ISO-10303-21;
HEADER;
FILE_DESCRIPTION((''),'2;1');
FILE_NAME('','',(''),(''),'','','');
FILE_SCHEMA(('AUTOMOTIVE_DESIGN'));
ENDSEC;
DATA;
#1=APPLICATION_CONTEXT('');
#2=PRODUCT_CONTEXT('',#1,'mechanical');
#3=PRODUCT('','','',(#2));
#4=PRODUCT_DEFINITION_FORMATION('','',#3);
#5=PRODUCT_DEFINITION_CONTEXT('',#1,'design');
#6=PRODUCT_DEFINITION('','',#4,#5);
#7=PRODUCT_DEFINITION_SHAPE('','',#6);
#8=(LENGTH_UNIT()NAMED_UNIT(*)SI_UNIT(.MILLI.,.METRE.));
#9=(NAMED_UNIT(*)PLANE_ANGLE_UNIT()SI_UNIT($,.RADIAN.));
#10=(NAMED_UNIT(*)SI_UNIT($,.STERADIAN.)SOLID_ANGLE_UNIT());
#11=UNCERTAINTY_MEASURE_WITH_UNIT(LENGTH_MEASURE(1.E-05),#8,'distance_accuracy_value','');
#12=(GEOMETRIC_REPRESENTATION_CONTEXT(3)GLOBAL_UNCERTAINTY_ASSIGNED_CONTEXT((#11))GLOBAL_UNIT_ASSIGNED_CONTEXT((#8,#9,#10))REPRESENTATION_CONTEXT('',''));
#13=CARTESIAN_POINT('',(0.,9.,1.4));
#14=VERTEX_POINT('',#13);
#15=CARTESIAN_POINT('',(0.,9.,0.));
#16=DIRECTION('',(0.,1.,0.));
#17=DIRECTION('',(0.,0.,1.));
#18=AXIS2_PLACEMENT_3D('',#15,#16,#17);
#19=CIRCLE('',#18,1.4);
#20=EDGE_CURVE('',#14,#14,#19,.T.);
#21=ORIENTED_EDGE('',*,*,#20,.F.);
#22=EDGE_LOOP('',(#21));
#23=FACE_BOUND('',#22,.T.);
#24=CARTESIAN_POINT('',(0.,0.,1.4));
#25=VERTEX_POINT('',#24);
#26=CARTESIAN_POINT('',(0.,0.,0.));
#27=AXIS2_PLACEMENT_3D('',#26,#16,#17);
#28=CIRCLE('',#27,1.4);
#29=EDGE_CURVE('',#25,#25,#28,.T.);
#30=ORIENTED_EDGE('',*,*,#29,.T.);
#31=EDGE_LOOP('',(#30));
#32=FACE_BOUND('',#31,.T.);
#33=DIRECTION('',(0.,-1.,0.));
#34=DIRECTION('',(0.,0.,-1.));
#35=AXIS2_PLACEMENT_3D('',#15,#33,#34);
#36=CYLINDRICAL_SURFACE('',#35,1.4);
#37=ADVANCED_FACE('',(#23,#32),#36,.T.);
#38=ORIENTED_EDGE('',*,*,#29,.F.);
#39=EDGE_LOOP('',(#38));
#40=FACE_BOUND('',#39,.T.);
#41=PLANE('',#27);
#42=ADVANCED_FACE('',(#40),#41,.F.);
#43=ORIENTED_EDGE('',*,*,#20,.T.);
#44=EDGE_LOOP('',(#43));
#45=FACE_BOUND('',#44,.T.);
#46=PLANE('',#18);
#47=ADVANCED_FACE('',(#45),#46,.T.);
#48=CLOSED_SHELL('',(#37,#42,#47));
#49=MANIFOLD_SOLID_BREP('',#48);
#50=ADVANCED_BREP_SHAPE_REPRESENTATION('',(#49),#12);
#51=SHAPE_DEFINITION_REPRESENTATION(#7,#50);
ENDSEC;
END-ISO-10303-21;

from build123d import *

# Parameters (mm, degrees)
SKETCH_1_R      = 1.4
EXTRUDE_1_DEPTH = 9


with BuildPart() as part:
    # 草图1 → 凸台-拉伸1 (new body)
    with BuildSketch(Plane(origin=(0, 0, 0), x_dir=(1, 0, 0), z_dir=(0, 1, 0))):
        with Locations(Location((0, 0, 0), (0, 0, 270))):
            Circle(SKETCH_1_R)
    extrude(amount=EXTRUDE_1_DEPTH)


solid = part.part
